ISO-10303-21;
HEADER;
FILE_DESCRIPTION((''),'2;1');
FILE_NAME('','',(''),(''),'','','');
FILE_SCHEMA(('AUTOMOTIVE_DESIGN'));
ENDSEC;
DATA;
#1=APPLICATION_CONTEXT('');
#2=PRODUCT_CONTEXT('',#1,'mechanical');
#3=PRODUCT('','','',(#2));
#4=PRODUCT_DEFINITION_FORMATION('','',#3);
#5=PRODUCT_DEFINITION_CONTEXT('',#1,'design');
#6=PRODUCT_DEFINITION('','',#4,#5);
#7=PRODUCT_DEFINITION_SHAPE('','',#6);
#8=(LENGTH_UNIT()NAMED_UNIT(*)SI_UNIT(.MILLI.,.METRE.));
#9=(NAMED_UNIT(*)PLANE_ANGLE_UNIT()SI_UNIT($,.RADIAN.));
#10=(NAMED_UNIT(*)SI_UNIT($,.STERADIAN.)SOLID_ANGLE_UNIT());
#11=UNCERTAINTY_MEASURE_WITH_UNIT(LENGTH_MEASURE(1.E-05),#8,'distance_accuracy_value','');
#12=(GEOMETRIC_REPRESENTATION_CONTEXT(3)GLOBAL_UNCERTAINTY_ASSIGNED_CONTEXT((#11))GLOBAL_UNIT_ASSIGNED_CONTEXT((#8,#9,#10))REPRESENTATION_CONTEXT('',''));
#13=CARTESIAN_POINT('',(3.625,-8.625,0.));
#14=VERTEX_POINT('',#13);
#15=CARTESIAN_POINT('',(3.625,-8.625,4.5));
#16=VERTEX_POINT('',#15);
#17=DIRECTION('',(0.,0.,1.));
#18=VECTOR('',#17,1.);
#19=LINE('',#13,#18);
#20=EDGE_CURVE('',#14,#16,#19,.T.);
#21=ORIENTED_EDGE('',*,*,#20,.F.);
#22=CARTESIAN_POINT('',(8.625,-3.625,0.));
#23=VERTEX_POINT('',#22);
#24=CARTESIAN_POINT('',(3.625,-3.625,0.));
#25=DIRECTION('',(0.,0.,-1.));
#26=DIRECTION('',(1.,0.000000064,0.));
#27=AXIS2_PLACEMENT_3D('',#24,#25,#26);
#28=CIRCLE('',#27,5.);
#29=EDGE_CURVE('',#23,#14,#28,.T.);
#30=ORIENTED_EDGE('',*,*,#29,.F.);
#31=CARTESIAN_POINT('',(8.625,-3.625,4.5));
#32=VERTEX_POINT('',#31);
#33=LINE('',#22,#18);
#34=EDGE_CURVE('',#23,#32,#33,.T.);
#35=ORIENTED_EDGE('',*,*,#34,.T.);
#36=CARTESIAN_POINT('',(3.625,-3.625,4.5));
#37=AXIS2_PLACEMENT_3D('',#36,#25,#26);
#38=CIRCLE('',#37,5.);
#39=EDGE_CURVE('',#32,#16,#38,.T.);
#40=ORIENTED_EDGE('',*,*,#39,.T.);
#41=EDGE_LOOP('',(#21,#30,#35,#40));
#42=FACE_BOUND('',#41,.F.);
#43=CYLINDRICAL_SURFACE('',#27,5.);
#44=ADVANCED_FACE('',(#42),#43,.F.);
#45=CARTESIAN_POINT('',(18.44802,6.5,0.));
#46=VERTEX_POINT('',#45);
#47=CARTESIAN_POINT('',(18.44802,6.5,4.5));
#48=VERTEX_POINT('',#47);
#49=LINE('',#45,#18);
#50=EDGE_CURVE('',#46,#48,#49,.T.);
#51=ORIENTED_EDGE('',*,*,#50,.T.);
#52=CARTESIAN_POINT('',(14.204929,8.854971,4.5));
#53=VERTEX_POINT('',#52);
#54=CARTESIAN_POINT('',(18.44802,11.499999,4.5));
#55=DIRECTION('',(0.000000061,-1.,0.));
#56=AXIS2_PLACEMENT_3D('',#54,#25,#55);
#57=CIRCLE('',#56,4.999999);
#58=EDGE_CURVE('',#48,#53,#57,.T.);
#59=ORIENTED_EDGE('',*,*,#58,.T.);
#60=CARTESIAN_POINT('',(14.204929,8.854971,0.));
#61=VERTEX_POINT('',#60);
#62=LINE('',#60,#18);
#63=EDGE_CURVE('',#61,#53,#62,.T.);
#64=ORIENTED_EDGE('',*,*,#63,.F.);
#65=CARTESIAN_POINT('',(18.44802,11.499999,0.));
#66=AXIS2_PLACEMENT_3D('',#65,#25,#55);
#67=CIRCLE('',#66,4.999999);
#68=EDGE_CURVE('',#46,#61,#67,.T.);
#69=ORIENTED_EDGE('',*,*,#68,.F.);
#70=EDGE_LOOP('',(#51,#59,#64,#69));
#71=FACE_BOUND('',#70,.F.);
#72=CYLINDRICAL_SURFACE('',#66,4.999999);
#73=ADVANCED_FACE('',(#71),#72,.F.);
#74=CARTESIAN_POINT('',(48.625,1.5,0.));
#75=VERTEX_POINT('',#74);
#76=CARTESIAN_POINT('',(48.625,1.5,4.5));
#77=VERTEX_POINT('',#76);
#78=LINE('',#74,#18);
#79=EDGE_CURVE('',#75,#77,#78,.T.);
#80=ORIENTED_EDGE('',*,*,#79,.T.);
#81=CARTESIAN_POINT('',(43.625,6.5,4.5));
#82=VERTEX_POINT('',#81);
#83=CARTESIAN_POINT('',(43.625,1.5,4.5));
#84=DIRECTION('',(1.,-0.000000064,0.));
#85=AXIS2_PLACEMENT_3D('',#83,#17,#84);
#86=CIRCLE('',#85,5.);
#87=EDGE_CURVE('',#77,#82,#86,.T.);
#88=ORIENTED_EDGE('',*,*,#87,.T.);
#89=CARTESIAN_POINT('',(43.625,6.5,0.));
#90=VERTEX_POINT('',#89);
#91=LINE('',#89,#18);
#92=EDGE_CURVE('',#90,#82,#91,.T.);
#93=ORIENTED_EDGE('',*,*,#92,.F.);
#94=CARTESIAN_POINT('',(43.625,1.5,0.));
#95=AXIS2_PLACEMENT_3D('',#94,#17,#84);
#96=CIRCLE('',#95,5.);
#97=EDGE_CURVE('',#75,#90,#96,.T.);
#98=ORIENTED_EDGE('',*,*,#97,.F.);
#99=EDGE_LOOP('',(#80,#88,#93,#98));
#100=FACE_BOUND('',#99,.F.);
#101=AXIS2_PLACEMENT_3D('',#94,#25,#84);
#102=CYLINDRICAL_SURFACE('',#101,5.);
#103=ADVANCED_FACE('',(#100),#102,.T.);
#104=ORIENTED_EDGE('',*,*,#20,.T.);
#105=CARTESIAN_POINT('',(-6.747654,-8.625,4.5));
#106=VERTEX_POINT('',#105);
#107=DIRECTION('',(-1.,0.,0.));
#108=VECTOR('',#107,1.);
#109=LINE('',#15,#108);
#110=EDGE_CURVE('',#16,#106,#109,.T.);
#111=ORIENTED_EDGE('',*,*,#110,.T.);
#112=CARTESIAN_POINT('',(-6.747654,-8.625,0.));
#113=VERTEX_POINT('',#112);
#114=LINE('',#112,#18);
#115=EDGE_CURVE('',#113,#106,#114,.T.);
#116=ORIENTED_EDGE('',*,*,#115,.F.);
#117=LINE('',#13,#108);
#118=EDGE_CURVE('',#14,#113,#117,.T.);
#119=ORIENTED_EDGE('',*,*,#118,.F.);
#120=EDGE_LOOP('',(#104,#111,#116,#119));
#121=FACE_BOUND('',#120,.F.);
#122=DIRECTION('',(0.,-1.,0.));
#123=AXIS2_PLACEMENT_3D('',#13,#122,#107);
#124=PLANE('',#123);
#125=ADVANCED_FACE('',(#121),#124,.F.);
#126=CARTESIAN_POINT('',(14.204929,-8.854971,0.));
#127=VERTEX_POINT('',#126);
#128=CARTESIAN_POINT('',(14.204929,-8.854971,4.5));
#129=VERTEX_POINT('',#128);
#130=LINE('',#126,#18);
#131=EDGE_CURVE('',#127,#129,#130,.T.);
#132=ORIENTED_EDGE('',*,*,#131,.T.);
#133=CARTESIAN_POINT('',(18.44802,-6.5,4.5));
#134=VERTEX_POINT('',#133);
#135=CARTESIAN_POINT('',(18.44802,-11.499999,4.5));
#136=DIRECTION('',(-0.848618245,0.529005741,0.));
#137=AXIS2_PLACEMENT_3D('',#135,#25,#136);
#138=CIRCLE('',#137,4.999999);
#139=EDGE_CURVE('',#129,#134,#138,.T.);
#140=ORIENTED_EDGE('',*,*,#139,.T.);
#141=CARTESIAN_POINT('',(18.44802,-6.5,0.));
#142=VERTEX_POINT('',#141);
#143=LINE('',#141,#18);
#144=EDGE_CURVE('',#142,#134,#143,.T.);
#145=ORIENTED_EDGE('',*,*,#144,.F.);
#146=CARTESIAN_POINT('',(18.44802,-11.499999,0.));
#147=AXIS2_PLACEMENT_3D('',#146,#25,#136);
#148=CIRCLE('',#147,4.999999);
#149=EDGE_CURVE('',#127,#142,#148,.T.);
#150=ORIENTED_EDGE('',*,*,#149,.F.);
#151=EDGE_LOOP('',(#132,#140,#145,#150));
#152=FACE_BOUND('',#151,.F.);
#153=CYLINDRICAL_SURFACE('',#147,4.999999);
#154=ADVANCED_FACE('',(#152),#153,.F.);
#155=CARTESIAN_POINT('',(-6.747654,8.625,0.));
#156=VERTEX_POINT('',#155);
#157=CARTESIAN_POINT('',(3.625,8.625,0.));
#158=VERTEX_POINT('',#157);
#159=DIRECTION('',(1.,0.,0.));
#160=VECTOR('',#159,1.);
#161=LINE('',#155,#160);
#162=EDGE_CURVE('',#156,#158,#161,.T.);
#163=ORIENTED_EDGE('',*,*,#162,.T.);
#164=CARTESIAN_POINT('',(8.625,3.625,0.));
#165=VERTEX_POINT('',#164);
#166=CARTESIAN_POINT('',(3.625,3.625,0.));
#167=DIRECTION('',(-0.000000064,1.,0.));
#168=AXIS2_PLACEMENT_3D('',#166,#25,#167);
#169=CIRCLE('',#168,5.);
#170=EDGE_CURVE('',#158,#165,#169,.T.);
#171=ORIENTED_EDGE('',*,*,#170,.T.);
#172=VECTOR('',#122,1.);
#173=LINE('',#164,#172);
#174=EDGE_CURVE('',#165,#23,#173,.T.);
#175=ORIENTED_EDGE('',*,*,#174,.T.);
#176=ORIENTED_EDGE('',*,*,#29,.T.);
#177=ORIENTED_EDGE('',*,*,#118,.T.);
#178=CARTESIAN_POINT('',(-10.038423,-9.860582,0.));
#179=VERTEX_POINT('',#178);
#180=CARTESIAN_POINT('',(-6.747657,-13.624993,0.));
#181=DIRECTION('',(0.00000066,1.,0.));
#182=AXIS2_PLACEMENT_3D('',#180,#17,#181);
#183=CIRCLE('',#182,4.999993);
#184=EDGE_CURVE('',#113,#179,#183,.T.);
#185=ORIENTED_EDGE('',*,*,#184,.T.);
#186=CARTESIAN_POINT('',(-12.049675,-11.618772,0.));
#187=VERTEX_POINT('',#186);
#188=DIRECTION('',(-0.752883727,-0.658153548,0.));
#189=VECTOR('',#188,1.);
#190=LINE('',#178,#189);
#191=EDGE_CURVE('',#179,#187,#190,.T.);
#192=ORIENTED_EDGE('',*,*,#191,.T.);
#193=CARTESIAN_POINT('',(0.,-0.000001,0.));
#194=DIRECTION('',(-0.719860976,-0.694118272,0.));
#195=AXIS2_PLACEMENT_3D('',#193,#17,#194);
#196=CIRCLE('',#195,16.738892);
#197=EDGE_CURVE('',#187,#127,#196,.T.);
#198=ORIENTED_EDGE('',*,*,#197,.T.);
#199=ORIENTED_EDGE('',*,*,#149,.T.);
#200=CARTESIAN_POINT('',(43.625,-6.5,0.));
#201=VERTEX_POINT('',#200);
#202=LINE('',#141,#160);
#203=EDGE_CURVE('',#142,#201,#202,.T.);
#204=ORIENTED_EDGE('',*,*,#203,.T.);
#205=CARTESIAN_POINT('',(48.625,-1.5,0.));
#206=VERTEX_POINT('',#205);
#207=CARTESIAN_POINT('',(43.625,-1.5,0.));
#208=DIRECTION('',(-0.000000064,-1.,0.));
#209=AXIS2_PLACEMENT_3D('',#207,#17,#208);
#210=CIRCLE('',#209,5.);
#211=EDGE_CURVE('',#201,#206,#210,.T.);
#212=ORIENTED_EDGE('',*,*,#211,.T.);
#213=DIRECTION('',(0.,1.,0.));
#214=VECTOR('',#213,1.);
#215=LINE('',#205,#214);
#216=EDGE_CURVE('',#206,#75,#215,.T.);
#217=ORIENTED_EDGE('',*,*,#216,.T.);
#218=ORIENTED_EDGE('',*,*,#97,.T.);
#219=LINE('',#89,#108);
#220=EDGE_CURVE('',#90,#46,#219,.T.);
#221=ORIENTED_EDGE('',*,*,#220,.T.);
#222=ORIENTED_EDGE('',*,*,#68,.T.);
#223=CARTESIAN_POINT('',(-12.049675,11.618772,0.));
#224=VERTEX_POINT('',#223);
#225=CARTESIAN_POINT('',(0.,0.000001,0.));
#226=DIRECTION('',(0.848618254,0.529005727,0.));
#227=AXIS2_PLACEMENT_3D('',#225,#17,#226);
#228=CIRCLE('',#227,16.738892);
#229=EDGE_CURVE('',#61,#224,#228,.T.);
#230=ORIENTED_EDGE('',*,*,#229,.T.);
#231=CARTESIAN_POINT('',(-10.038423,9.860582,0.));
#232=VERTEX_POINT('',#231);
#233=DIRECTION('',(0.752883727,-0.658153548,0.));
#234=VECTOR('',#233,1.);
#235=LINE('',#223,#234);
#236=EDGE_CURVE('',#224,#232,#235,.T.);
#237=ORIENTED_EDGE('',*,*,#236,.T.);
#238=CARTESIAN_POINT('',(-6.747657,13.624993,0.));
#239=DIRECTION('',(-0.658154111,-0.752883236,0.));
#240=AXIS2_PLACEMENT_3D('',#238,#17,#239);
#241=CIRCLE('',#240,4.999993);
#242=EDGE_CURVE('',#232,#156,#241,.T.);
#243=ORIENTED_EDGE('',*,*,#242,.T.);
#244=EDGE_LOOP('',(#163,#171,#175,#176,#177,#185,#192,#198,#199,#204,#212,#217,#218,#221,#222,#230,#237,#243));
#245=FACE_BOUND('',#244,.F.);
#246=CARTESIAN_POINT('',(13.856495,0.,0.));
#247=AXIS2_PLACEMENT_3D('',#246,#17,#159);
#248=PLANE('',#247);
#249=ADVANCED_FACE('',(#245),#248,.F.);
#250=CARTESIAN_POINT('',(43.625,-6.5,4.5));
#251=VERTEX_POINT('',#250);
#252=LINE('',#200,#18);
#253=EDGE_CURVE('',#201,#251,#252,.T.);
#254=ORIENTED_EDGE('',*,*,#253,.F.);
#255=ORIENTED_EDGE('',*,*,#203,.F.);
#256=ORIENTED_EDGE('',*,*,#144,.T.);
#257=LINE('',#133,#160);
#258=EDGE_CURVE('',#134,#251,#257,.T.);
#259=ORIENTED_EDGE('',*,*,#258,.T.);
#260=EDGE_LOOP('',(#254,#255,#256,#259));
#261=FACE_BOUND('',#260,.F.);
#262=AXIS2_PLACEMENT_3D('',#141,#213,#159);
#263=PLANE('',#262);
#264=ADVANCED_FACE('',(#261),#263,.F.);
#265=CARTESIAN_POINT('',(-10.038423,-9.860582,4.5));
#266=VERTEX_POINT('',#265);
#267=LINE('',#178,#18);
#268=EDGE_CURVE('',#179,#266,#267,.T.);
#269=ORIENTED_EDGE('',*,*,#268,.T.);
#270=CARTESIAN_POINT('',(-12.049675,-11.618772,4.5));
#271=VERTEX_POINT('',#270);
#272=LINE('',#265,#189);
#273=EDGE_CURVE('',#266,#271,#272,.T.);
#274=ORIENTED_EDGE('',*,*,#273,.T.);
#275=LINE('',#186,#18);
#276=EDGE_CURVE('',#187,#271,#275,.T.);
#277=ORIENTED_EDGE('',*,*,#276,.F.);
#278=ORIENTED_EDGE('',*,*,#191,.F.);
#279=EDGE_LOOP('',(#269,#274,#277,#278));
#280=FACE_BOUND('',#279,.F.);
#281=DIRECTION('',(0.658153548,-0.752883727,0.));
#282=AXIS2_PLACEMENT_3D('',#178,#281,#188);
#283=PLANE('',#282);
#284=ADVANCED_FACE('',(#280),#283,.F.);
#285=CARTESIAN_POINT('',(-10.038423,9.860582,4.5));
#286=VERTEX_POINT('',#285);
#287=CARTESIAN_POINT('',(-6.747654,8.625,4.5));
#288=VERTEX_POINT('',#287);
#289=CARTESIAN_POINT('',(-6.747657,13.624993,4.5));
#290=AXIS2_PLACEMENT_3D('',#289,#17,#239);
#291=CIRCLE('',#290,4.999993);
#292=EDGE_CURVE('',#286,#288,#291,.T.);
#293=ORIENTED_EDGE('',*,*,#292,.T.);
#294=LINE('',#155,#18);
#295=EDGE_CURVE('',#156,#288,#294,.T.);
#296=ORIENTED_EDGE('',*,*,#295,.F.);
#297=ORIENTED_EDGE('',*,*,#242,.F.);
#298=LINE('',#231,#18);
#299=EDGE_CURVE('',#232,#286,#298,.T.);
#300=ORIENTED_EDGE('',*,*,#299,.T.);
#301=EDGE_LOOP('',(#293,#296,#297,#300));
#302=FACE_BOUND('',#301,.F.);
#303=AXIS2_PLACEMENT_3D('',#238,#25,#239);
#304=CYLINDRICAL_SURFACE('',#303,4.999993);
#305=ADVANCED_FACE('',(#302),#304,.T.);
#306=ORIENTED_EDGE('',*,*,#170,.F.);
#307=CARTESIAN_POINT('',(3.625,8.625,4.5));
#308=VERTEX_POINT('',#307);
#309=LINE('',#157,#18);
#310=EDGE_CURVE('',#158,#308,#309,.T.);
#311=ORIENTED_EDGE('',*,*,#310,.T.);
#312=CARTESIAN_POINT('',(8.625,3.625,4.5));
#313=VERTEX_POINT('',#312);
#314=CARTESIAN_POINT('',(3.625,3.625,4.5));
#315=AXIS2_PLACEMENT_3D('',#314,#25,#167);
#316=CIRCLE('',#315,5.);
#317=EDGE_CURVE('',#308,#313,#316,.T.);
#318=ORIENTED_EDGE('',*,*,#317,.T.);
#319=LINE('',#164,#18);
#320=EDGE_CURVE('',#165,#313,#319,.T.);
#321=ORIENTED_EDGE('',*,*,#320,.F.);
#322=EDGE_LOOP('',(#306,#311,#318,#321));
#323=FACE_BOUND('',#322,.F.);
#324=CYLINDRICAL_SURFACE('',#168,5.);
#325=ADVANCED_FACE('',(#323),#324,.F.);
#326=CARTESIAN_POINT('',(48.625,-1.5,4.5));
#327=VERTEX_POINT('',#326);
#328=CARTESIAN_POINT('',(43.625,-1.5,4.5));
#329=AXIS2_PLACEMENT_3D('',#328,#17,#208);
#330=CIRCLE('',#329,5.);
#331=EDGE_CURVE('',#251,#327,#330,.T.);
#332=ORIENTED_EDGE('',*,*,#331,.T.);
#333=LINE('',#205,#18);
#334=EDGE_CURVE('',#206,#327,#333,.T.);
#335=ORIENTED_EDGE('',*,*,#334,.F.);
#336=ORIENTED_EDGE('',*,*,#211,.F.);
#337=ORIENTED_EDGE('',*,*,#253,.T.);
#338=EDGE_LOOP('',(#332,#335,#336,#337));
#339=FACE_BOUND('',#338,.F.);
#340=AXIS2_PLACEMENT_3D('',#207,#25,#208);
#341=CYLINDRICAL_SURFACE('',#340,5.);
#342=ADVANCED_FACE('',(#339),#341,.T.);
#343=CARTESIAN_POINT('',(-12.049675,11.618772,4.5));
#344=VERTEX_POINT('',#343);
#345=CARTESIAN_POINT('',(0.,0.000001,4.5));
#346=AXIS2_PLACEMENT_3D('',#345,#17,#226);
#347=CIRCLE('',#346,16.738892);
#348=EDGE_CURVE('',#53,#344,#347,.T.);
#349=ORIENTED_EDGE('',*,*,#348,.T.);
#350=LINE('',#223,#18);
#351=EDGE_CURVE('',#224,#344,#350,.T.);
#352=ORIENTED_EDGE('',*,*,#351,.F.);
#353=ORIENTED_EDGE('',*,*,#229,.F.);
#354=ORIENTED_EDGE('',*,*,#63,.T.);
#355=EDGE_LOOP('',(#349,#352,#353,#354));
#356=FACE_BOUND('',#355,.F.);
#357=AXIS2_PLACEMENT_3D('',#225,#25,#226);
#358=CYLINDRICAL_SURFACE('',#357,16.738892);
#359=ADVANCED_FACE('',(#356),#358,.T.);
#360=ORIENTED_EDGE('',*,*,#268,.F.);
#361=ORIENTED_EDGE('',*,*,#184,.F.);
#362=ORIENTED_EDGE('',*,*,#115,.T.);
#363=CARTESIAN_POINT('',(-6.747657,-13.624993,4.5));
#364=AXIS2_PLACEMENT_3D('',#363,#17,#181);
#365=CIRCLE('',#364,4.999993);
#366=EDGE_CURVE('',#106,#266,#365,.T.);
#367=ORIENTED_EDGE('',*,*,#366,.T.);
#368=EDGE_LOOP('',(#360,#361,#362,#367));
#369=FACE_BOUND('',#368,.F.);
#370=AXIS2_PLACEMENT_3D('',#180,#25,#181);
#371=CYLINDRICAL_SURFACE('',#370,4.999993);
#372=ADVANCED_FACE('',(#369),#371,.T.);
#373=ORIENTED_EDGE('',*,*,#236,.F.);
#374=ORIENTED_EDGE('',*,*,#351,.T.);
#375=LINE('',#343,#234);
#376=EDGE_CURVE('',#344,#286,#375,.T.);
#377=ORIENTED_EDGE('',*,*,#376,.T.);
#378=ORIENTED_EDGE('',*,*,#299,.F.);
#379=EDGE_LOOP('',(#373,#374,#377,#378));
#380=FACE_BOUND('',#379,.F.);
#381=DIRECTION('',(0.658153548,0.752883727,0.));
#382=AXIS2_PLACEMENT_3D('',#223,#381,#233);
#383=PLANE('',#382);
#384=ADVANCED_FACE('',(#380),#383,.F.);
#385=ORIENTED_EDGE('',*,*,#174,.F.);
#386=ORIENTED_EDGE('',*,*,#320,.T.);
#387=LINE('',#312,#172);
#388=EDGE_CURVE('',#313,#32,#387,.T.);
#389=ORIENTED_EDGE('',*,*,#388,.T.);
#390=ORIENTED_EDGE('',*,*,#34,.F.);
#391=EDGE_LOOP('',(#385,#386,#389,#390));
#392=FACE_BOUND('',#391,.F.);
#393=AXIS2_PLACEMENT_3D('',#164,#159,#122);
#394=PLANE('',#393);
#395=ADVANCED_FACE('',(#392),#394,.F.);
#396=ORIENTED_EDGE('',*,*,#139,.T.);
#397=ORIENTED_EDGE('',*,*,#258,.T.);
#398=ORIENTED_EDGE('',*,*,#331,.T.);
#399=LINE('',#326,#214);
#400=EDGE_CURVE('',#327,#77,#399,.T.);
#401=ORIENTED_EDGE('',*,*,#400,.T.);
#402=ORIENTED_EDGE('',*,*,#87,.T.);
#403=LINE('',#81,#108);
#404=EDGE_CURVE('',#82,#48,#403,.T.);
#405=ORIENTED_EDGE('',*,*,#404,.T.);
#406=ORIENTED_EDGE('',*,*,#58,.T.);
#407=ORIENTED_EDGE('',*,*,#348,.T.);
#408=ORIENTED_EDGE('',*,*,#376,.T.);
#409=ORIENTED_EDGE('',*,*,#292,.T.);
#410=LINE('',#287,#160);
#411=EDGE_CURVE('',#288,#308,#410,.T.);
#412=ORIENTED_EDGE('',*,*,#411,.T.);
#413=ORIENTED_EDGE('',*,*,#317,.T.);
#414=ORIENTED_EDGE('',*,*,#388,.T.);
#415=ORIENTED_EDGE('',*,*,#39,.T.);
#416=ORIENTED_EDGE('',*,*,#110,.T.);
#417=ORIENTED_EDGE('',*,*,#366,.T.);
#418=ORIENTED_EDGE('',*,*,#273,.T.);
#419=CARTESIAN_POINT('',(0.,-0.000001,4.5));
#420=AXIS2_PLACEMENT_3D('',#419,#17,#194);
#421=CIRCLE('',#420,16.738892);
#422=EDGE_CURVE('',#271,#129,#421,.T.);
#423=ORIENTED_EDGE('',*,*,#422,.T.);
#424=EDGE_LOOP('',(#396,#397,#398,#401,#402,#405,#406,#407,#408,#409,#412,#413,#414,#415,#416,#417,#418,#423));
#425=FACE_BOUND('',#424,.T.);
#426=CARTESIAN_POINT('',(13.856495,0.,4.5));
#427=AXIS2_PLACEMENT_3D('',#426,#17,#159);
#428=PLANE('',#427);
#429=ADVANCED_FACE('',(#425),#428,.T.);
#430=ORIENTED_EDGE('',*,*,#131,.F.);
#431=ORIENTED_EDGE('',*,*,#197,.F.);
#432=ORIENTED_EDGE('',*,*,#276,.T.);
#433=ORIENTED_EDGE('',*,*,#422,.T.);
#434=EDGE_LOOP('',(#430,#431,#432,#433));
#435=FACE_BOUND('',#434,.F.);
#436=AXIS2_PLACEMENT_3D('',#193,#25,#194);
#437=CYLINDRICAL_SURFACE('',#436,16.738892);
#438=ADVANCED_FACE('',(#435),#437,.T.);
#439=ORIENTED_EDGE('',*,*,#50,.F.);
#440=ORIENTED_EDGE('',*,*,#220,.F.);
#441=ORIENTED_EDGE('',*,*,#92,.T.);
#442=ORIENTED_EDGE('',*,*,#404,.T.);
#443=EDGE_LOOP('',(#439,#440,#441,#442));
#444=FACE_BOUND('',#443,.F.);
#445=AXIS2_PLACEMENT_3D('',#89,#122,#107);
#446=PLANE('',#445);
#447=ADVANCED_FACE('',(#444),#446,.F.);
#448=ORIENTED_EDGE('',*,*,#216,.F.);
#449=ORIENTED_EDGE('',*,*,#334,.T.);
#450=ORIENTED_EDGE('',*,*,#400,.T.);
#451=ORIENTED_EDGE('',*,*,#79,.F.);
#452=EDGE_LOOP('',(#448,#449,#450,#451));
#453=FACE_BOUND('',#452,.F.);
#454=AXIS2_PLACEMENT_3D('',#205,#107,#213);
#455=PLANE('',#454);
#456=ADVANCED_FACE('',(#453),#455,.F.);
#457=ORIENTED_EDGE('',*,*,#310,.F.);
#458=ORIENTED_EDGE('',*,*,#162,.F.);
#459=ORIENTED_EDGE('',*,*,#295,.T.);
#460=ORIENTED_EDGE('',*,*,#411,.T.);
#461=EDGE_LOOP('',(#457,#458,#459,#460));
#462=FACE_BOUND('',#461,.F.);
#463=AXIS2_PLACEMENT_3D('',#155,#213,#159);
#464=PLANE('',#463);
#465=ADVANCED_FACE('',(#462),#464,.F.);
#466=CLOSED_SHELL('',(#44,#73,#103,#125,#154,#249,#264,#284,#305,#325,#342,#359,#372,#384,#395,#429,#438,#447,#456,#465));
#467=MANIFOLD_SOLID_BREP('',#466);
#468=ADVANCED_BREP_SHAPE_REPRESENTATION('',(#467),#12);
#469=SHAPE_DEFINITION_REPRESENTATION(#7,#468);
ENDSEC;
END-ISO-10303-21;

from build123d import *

# Parameters (mm, degrees)
F1_DEPTH = 4.5


with BuildPart() as f1:
    # F0 (on Top) → F1 (new body)
    with BuildSketch(Plane.XY):
        with BuildLine():
            Line((-6.747654, 8.625), (3.625, 8.625))
            ThreePointArc((3.625, 8.625), (7.160534, 7.160534), (8.625, 3.625))
            Line((8.625, 3.625), (8.625, -3.625))
            ThreePointArc((8.625, -3.625), (7.160534, -7.160534), (3.625, -8.625))
            Line((3.625, -8.625), (-6.747654, -8.625))
            ThreePointArc((-6.747654, -8.625), (-8.505197, -8.944076), (-10.038423, -9.860582))
            Line((-10.038423, -9.860582), (-12.049675, -11.618772))
            ThreePointArc((-12.049675, -11.618772), (1.752407, -16.64691), (14.204929, -8.854971))
            ThreePointArc((14.204929, -8.854971), (16.021618, -7.128207), (18.44802, -6.5))
            Line((18.44802, -6.5), (43.625, -6.5))
            ThreePointArc((43.625, -6.5), (47.160534, -5.035534), (48.625, -1.5))
            Line((48.625, -1.5), (48.625, 1.5))
            ThreePointArc((48.625, 1.5), (47.160534, 5.035534), (43.625, 6.5))
            Line((43.625, 6.5), (18.44802, 6.5))
            ThreePointArc((18.44802, 6.5), (16.021618, 7.128207), (14.204929, 8.854971))
            ThreePointArc((14.204929, 8.854971), (1.752407, 16.64691), (-12.049675, 11.618772))
            Line((-12.049675, 11.618772), (-10.038423, 9.860582))
            ThreePointArc((-10.038423, 9.860582), (-8.505197, 8.944076), (-6.747654, 8.625))
        make_face()
    extrude(amount=F1_DEPTH)


solid = f1.part
